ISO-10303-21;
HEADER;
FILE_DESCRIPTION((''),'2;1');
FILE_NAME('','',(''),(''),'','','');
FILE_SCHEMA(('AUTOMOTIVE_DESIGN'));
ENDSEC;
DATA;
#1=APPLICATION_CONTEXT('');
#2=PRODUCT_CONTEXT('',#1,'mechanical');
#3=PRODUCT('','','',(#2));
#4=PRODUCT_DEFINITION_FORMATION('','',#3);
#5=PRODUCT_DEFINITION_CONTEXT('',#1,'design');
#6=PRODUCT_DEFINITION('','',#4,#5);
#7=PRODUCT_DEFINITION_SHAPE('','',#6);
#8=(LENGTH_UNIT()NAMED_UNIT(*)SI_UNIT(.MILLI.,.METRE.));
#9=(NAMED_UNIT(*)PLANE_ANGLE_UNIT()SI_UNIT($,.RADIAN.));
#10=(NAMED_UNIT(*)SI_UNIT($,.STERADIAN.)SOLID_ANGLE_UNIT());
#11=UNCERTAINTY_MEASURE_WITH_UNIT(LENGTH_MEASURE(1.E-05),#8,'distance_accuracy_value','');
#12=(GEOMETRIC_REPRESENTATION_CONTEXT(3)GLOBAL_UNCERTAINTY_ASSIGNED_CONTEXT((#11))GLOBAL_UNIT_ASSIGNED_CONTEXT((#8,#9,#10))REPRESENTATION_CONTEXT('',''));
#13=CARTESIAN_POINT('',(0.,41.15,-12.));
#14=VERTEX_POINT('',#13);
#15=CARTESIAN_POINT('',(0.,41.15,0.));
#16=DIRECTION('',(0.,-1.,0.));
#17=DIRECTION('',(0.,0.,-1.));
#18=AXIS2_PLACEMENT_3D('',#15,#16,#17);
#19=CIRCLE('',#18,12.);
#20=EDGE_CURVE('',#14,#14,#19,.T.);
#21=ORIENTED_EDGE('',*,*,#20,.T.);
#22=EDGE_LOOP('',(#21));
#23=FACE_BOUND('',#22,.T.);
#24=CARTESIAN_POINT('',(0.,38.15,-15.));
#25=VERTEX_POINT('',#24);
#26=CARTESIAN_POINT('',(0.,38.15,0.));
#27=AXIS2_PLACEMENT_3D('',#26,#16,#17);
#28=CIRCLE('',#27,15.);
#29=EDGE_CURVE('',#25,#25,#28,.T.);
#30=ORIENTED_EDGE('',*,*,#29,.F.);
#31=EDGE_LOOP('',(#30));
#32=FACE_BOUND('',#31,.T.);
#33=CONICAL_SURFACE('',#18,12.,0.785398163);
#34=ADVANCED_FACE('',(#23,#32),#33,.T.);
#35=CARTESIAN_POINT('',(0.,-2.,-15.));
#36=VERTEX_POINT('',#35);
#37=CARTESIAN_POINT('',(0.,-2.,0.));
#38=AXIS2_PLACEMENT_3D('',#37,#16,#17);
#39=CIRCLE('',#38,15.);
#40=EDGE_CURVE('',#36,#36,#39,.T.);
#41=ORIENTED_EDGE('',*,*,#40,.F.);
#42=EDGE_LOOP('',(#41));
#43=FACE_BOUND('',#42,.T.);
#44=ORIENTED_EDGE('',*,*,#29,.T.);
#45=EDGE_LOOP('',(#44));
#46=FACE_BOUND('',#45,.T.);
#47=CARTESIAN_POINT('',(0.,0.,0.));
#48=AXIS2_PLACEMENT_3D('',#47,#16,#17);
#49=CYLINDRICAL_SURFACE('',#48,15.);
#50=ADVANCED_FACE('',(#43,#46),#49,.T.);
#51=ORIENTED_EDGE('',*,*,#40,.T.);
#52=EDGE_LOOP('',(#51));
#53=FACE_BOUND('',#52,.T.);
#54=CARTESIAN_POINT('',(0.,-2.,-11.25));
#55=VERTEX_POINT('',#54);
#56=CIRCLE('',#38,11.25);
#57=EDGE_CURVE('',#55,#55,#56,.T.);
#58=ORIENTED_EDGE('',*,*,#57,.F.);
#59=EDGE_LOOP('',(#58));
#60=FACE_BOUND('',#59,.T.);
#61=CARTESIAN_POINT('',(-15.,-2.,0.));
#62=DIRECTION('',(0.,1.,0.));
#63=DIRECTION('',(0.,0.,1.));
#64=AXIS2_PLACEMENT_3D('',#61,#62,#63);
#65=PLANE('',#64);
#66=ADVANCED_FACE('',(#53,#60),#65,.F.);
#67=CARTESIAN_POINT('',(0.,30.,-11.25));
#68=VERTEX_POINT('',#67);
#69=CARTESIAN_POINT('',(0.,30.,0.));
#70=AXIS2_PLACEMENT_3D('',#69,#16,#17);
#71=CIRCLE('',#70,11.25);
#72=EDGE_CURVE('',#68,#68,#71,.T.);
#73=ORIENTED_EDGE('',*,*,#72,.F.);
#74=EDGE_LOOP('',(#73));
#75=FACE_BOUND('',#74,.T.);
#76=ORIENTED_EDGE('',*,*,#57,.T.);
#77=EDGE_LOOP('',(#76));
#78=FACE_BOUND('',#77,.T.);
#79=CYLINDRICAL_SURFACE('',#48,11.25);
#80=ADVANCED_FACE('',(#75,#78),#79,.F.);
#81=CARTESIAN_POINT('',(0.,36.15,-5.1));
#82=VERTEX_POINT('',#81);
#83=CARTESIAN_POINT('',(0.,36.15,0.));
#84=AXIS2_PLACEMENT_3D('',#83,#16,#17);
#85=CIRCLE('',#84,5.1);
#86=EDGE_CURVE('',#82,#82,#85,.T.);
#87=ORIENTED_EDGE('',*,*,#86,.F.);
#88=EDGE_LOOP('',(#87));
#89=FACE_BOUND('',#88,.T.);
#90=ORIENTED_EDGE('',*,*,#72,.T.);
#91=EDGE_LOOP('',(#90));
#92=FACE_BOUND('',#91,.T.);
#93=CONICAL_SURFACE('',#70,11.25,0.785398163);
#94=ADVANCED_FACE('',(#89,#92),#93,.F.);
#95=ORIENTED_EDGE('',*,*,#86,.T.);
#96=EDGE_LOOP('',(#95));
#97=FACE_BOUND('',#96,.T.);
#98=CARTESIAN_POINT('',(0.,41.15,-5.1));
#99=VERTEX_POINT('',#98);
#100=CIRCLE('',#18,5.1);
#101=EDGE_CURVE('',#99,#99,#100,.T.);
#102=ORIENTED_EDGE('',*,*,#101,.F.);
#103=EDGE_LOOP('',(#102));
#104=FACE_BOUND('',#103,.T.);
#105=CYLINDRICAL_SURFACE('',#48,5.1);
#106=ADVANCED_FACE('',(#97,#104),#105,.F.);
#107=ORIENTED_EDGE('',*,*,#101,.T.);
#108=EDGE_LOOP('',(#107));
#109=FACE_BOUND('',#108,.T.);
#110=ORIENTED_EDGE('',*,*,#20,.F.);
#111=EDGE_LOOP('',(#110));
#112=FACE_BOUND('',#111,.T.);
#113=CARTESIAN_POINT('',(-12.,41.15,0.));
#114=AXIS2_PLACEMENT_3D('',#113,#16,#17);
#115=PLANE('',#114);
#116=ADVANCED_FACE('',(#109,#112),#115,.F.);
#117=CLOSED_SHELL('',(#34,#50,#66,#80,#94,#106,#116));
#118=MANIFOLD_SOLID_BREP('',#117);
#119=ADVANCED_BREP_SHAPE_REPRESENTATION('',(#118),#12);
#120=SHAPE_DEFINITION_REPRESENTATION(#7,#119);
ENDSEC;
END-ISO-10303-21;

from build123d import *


with BuildPart() as part:
    # Sketch1 → Revolve1 (revolve)
    with BuildSketch(Plane.XY, mode=Mode.PRIVATE) as revolve1_sk:
        Polygon((-15, -2), (-15, 38.15), (-12, 41.15), (-5.1, 41.15), (-5.1, 36.15), (-11.25, 30), (-11.25, -2), align=None)
    revolve(revolve1_sk.sketch.rotate(Axis((0, 0, 0), (0, 1, 0)), 270), axis=Axis((0, 0, 0), (0, 1, 0)))


solid = part.part
